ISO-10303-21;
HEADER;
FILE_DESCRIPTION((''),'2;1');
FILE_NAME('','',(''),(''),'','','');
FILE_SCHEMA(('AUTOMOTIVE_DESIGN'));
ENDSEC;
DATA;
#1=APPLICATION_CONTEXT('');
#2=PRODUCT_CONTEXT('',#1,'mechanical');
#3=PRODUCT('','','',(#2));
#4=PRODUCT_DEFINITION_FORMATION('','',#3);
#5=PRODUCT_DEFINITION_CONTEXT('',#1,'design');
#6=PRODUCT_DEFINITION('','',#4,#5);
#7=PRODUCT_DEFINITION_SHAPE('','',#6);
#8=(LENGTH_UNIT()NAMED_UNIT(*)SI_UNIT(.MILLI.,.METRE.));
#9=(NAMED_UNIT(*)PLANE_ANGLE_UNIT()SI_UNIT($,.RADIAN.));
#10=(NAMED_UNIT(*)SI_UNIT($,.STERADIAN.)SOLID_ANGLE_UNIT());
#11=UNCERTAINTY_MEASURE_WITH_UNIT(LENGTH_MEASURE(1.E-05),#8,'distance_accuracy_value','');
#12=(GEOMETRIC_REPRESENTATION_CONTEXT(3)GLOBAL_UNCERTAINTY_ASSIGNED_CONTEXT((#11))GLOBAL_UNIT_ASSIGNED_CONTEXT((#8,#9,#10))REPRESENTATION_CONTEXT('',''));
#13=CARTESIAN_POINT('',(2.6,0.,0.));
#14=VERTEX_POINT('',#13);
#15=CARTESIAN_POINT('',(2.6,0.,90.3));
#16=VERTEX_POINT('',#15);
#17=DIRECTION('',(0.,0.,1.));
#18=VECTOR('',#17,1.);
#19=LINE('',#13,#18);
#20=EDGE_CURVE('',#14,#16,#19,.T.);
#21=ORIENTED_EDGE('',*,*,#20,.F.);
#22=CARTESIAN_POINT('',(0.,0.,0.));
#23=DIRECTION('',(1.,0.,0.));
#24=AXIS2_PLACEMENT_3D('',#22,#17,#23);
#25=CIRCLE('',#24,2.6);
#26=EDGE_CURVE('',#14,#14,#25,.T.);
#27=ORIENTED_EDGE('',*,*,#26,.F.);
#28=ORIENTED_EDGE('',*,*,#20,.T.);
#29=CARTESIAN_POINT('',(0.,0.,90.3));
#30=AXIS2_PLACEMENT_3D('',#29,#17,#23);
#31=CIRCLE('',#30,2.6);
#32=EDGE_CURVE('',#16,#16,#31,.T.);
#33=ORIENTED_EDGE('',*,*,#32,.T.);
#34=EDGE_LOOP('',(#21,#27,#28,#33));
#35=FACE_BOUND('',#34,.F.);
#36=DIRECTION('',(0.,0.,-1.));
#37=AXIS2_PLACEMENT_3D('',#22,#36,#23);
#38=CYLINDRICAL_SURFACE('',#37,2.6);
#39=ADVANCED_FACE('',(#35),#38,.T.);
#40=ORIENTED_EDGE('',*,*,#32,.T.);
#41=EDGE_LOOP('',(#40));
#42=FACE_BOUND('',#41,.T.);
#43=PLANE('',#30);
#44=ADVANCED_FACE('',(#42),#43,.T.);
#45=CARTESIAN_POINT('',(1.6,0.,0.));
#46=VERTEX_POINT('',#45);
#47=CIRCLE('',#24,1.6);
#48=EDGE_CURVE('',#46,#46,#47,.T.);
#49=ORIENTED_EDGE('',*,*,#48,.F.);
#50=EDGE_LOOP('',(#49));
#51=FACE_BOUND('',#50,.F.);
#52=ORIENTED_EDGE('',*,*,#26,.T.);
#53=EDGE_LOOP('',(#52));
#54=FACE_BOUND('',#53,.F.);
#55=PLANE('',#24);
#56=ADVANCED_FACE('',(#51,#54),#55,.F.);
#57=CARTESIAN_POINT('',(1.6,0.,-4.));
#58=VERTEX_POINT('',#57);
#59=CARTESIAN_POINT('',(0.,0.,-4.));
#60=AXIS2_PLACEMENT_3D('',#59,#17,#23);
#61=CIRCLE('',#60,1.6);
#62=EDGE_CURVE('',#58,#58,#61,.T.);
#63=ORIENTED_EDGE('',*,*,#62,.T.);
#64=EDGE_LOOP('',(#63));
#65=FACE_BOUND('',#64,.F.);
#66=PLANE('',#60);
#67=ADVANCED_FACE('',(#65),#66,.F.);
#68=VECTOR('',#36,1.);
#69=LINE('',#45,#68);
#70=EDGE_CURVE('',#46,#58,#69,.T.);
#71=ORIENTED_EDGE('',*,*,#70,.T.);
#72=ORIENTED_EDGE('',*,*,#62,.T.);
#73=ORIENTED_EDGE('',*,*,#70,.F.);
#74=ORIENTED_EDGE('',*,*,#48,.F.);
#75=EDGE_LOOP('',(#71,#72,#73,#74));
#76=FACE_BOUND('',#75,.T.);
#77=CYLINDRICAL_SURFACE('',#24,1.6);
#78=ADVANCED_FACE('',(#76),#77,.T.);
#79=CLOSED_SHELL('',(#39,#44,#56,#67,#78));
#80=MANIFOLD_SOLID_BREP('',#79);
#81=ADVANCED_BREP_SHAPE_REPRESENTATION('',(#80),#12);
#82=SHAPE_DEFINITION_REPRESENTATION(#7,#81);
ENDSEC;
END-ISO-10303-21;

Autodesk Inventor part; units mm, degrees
ref_plane "YZ Plane" through (0, 0, 0) normal (1, 0, 0) x (0, 1, 0)
ref_plane "XZ Plane" through (0, 0, 0) normal (0, 1, 0) x (-1, 0, 0)
ref_plane "XY Plane" through (0, 0, 0) normal (0, 0, 1) x (1, 0, 0)
sketch "Sketch1" plane through (0, 0, 0) normal (0, 0, 1) x (1, 0, 0)
  circle A0 centre (0, 0) radius 2.6
  dimension "d0" = 5.2
extrude "Extrusion1" add sketch "Sketch1" along normal blind 90.3
sketch "Sketch2" plane through (0, 0, 0) normal (0, 0, 1) x (1, 0, 0)
  circle A0 centre (0, 0) radius 1.6
  dimension "d3" = 3.2
extrude "Extrusion2" add sketch "Sketch2" against normal blind 4
properties part number "Rod"
